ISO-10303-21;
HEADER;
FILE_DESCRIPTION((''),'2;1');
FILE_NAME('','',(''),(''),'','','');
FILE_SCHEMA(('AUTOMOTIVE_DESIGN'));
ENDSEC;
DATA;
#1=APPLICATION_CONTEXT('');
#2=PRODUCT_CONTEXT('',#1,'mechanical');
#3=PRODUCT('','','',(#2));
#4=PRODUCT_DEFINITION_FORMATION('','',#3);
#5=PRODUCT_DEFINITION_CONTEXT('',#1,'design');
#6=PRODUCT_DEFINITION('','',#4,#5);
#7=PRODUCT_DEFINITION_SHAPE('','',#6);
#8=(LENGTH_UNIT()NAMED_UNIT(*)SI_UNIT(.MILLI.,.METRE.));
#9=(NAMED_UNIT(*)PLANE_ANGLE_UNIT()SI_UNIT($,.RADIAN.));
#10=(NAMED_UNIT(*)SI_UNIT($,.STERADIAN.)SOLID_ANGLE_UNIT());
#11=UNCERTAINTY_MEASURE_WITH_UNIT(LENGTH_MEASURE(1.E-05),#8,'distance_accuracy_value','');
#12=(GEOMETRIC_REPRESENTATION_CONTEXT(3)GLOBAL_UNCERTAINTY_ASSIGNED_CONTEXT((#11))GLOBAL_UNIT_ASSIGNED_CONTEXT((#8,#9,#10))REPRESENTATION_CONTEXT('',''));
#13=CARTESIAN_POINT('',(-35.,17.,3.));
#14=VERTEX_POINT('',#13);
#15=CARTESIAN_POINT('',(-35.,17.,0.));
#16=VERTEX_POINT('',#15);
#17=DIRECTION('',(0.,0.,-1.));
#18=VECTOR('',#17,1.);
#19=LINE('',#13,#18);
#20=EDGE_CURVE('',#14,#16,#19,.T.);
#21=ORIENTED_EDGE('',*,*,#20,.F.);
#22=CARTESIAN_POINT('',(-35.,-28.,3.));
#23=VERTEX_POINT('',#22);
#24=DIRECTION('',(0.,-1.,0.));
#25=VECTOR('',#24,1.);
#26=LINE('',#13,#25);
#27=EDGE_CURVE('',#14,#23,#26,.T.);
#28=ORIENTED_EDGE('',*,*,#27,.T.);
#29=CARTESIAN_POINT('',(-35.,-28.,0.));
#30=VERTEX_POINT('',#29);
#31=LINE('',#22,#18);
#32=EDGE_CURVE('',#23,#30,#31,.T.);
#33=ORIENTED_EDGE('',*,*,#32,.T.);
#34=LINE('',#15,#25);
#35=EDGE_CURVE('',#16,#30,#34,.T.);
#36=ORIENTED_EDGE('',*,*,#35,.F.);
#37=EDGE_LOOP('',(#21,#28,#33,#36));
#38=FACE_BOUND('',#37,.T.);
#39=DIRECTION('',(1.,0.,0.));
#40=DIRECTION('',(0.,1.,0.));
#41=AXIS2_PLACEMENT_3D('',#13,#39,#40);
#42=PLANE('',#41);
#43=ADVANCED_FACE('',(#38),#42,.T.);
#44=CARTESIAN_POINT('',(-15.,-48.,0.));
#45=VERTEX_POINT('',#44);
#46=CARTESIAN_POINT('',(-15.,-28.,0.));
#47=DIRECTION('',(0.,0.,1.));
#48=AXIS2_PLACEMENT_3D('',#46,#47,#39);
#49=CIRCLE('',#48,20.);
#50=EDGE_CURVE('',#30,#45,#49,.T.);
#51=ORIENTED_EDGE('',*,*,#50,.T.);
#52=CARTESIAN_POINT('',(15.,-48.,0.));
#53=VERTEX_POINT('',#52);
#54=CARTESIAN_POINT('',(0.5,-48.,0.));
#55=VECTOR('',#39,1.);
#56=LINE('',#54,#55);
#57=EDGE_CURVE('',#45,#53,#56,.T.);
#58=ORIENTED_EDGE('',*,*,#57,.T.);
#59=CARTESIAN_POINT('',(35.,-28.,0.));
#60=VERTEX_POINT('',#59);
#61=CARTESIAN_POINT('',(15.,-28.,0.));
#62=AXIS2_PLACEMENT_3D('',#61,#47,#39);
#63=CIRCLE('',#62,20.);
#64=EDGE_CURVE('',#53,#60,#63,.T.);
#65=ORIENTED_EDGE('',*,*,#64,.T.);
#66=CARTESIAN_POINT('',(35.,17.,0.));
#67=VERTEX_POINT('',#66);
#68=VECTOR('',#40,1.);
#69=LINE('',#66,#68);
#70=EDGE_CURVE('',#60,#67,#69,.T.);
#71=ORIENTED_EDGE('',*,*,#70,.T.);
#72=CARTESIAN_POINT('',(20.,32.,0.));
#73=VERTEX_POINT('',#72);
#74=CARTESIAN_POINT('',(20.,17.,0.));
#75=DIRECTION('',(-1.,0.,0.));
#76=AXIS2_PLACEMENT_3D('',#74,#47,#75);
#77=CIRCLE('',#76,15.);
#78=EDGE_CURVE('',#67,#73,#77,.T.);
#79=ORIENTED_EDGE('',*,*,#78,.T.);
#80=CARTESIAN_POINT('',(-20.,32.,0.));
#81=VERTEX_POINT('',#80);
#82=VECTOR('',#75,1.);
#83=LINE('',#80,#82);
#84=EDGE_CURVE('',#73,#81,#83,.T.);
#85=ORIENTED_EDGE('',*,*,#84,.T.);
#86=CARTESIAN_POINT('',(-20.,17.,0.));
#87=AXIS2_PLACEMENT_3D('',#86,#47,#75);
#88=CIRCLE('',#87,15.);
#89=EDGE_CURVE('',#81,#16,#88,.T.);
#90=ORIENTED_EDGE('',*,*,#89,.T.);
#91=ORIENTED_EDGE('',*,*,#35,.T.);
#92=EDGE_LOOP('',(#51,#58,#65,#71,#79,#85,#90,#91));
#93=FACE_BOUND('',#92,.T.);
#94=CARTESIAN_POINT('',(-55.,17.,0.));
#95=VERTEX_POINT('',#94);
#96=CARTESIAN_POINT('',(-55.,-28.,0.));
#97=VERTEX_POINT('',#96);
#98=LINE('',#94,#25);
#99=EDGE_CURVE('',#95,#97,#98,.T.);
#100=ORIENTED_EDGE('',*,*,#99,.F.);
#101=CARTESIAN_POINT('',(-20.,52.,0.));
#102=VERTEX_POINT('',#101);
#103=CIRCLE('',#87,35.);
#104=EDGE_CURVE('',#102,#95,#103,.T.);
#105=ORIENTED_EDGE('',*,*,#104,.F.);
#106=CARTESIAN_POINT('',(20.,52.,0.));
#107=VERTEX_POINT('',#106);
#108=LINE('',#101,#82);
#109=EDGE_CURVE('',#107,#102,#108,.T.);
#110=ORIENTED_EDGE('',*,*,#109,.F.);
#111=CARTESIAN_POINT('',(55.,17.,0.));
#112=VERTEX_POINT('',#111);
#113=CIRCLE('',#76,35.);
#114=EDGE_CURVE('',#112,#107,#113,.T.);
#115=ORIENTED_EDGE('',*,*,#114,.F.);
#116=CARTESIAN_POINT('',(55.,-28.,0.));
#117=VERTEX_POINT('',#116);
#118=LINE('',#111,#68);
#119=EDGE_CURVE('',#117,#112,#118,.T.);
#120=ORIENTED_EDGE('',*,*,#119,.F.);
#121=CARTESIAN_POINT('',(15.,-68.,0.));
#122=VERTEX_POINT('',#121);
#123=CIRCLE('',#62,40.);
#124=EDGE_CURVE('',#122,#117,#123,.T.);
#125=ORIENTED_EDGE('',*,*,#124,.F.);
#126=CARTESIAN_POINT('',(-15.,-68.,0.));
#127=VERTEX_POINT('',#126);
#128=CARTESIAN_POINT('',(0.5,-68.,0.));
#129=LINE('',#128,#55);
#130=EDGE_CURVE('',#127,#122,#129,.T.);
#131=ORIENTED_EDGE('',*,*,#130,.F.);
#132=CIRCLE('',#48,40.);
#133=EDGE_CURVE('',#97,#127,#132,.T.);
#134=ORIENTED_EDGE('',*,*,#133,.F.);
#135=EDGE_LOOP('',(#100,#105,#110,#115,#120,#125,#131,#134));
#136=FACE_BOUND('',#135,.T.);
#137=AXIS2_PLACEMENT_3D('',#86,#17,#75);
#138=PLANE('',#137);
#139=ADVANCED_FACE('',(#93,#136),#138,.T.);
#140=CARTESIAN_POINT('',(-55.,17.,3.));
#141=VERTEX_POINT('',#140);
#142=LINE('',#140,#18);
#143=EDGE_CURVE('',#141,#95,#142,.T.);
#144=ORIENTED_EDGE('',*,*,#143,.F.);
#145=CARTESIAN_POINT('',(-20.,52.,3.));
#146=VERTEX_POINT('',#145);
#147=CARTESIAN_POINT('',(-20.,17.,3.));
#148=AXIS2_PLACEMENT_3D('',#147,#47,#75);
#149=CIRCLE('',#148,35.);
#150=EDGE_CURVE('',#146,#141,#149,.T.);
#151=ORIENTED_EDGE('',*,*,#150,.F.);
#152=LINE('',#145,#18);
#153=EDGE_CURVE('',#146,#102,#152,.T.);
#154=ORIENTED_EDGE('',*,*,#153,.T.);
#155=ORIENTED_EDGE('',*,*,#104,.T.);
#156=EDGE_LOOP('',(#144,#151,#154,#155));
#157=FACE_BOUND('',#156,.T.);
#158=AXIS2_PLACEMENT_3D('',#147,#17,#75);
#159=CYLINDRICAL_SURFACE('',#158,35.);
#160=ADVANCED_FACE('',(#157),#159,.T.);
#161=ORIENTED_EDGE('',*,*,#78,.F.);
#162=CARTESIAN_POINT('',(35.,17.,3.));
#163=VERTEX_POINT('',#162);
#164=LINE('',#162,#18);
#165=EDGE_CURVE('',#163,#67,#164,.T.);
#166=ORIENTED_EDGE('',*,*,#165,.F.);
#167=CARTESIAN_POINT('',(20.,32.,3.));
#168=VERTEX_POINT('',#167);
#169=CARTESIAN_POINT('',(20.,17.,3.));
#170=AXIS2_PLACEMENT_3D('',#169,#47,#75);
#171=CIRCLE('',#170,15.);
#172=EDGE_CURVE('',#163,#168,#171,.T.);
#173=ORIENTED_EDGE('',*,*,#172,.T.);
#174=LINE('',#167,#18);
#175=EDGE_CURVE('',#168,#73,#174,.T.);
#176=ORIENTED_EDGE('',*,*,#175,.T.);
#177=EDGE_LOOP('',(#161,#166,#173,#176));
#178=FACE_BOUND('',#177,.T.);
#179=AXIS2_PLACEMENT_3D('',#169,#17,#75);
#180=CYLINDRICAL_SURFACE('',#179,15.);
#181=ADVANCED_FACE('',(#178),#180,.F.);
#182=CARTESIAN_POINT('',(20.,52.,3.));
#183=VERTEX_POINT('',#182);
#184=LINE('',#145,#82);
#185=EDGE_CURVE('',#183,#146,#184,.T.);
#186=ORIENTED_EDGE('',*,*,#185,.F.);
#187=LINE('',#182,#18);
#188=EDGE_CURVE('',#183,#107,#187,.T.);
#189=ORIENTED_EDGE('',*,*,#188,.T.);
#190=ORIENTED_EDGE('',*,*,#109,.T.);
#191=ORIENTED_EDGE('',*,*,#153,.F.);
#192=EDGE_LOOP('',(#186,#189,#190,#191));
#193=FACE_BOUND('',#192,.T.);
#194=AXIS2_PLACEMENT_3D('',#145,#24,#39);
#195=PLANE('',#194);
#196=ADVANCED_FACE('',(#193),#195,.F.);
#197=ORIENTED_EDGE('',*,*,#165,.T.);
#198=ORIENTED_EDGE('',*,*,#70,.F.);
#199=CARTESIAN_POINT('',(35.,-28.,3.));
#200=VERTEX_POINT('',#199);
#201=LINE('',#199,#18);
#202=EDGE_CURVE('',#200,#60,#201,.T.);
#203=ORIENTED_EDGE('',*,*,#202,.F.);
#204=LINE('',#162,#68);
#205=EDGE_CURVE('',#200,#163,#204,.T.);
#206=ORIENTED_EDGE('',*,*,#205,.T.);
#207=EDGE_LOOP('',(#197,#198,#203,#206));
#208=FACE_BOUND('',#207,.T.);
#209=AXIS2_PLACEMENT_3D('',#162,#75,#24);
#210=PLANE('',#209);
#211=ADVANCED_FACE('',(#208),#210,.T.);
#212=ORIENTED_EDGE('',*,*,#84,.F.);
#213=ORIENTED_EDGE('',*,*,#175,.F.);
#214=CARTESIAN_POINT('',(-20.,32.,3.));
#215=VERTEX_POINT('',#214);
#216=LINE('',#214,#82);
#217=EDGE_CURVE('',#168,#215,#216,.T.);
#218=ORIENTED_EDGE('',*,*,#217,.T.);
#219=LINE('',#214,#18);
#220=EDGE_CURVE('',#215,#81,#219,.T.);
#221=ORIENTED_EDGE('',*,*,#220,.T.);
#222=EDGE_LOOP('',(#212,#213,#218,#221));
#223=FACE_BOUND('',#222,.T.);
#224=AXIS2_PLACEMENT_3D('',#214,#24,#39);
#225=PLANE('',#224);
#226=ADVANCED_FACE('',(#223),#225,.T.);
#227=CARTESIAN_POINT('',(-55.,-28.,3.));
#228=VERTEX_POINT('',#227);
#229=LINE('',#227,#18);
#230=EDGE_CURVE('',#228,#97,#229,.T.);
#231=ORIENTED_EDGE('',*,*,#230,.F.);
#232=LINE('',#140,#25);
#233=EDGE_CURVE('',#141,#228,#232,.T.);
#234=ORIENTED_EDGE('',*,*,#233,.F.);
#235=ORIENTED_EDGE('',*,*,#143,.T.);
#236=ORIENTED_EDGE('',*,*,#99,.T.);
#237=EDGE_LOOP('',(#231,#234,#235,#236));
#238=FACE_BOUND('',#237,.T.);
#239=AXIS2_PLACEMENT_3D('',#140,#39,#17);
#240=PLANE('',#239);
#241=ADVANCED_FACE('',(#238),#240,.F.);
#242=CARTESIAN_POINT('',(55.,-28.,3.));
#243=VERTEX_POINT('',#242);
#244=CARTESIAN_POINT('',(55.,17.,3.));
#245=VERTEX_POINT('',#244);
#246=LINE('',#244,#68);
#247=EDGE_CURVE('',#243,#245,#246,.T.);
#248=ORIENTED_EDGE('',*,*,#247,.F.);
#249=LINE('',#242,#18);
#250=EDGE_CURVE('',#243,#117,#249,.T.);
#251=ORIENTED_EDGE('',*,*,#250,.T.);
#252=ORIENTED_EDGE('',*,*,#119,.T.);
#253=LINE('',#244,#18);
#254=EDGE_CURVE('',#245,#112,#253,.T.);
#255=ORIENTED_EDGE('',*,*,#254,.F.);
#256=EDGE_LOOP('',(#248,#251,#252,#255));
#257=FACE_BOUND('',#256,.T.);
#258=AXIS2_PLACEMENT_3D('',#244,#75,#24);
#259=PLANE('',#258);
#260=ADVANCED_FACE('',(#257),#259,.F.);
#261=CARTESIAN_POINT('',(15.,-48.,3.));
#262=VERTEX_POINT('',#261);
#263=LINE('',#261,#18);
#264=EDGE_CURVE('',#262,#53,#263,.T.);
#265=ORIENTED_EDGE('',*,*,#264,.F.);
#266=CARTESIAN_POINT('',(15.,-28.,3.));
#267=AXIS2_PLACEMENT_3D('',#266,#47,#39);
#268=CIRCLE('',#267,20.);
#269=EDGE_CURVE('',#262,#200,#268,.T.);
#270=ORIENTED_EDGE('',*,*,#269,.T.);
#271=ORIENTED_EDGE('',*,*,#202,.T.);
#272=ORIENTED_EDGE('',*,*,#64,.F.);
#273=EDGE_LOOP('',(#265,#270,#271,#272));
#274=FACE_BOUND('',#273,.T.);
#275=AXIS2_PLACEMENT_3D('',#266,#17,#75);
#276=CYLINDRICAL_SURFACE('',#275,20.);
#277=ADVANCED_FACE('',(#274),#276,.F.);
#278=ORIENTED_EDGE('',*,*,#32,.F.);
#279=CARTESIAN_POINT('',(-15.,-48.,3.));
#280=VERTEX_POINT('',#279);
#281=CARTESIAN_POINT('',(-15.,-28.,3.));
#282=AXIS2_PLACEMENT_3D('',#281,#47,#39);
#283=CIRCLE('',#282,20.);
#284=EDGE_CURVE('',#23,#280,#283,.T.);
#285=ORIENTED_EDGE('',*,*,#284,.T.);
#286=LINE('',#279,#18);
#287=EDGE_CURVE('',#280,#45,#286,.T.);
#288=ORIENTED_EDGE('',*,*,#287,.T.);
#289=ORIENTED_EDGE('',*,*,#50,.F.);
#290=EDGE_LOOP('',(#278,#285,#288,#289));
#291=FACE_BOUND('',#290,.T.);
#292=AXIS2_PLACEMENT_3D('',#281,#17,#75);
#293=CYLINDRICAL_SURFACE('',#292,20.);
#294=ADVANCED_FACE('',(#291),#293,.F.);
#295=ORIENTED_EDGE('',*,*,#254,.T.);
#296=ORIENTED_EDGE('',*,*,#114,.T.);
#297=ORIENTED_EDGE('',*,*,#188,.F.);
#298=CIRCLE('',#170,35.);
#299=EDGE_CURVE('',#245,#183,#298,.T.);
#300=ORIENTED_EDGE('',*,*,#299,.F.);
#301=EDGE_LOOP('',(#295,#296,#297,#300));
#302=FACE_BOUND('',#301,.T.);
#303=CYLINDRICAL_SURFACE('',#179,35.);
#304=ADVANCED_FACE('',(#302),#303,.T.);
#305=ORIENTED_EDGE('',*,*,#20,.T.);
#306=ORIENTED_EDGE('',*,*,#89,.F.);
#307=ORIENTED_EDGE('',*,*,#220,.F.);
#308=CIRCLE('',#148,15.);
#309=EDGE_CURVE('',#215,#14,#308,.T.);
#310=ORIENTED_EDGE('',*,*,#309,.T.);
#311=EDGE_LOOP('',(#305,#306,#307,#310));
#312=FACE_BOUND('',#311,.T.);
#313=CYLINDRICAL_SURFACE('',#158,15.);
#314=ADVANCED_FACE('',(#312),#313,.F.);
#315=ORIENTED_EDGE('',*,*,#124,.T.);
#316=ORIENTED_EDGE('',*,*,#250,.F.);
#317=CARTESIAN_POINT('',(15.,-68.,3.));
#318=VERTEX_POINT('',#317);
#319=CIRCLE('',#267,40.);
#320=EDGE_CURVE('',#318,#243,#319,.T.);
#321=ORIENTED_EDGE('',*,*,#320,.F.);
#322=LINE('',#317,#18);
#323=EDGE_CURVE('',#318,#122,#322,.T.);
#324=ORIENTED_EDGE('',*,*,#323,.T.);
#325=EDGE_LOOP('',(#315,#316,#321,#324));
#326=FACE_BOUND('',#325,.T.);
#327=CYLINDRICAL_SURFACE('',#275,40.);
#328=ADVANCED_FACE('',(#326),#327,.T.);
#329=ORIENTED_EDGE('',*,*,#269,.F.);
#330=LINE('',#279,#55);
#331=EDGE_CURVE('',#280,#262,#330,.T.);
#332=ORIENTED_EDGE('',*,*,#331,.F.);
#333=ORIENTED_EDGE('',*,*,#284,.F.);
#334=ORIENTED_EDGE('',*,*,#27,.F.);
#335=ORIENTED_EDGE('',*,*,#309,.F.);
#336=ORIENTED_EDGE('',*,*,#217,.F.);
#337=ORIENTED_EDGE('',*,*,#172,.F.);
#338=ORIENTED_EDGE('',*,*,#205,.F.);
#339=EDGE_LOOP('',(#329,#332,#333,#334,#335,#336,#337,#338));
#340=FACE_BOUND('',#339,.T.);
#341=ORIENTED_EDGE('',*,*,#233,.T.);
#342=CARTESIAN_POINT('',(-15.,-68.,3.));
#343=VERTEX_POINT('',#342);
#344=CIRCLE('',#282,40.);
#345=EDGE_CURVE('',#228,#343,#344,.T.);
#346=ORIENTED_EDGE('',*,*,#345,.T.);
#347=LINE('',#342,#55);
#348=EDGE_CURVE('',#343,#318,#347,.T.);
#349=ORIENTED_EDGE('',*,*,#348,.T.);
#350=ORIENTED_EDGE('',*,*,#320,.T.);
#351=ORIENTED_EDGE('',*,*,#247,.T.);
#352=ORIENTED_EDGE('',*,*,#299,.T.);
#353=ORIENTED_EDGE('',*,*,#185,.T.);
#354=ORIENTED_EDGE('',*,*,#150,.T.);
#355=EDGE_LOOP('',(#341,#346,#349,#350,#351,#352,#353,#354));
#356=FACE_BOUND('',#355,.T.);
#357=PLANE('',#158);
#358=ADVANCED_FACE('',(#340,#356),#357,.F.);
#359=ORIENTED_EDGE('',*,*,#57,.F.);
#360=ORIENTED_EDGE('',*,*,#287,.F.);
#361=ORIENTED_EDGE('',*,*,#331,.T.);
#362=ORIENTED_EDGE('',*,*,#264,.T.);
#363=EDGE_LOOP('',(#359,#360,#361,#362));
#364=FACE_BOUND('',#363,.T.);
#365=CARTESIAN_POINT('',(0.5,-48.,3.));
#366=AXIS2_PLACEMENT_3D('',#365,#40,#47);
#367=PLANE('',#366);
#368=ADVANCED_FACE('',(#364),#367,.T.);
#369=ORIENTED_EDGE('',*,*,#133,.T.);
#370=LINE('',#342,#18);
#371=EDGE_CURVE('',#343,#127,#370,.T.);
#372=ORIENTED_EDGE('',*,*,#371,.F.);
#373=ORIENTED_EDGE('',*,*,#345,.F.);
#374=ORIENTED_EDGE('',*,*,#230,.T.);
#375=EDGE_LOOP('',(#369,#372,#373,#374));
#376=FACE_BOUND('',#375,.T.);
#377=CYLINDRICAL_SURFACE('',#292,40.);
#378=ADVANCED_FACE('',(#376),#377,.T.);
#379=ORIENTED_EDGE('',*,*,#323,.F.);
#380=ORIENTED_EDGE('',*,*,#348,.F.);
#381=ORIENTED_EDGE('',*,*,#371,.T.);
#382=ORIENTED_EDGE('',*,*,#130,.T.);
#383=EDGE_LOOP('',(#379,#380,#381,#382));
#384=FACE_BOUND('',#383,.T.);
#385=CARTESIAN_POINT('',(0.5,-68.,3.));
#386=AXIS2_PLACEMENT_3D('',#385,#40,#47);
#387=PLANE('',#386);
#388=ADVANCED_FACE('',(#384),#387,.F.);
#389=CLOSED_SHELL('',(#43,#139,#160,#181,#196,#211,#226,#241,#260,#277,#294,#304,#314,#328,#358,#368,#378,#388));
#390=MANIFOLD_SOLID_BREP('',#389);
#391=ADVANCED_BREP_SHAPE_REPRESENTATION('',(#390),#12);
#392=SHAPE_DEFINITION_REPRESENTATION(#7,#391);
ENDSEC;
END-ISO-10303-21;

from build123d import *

# Parameters (mm, degrees)
BOSS_EXTRUDE1_DEPTH = 3


with BuildPart() as part:
    # Sketch1 → Boss-Extrude1 (new body)
    with BuildSketch(Plane.XY):
        with BuildLine():
            Line((-20, 52), (20, 52))
            ThreePointArc((20, 52), (44.748737342, 41.748737342), (55, 17))
            Line((55, 17), (55, -28))
            ThreePointArc((55, -28), (43.284271247, -56.284271247), (15, -68))
            Line((15, -68), (0.5, -68))
            Line((0.5, -68), (-0.5, -68))
            Line((-0.5, -68), (-15, -68))
            ThreePointArc((-15, -68), (-43.284271247, -56.284271247), (-55, -28))
            Line((-55, -28), (-55, 17))
            ThreePointArc((-55, 17), (-44.748737342, 41.748737342), (-20, 52))
        make_face()
        with BuildLine():
            Line((-20, 32), (20, 32))
            ThreePointArc((20, 32), (30.606601718, 27.606601718), (35, 17))
            Line((35, 17), (35, -28))
            ThreePointArc((35, -28), (29.142135624, -42.142135624), (15, -48))
            Line((15, -48), (0.5, -48))
            Line((0.5, -48), (-0.5, -48))
            Line((-0.5, -48), (-15, -48))
            ThreePointArc((-15, -48), (-29.142135624, -42.142135624), (-35, -28))
            Line((-35, -28), (-35, 17))
            ThreePointArc((-35, 17), (-30.606601718, 27.606601718), (-20, 32))
        make_face(mode=Mode.SUBTRACT)
    extrude(amount=BOSS_EXTRUDE1_DEPTH)


solid = part.part
